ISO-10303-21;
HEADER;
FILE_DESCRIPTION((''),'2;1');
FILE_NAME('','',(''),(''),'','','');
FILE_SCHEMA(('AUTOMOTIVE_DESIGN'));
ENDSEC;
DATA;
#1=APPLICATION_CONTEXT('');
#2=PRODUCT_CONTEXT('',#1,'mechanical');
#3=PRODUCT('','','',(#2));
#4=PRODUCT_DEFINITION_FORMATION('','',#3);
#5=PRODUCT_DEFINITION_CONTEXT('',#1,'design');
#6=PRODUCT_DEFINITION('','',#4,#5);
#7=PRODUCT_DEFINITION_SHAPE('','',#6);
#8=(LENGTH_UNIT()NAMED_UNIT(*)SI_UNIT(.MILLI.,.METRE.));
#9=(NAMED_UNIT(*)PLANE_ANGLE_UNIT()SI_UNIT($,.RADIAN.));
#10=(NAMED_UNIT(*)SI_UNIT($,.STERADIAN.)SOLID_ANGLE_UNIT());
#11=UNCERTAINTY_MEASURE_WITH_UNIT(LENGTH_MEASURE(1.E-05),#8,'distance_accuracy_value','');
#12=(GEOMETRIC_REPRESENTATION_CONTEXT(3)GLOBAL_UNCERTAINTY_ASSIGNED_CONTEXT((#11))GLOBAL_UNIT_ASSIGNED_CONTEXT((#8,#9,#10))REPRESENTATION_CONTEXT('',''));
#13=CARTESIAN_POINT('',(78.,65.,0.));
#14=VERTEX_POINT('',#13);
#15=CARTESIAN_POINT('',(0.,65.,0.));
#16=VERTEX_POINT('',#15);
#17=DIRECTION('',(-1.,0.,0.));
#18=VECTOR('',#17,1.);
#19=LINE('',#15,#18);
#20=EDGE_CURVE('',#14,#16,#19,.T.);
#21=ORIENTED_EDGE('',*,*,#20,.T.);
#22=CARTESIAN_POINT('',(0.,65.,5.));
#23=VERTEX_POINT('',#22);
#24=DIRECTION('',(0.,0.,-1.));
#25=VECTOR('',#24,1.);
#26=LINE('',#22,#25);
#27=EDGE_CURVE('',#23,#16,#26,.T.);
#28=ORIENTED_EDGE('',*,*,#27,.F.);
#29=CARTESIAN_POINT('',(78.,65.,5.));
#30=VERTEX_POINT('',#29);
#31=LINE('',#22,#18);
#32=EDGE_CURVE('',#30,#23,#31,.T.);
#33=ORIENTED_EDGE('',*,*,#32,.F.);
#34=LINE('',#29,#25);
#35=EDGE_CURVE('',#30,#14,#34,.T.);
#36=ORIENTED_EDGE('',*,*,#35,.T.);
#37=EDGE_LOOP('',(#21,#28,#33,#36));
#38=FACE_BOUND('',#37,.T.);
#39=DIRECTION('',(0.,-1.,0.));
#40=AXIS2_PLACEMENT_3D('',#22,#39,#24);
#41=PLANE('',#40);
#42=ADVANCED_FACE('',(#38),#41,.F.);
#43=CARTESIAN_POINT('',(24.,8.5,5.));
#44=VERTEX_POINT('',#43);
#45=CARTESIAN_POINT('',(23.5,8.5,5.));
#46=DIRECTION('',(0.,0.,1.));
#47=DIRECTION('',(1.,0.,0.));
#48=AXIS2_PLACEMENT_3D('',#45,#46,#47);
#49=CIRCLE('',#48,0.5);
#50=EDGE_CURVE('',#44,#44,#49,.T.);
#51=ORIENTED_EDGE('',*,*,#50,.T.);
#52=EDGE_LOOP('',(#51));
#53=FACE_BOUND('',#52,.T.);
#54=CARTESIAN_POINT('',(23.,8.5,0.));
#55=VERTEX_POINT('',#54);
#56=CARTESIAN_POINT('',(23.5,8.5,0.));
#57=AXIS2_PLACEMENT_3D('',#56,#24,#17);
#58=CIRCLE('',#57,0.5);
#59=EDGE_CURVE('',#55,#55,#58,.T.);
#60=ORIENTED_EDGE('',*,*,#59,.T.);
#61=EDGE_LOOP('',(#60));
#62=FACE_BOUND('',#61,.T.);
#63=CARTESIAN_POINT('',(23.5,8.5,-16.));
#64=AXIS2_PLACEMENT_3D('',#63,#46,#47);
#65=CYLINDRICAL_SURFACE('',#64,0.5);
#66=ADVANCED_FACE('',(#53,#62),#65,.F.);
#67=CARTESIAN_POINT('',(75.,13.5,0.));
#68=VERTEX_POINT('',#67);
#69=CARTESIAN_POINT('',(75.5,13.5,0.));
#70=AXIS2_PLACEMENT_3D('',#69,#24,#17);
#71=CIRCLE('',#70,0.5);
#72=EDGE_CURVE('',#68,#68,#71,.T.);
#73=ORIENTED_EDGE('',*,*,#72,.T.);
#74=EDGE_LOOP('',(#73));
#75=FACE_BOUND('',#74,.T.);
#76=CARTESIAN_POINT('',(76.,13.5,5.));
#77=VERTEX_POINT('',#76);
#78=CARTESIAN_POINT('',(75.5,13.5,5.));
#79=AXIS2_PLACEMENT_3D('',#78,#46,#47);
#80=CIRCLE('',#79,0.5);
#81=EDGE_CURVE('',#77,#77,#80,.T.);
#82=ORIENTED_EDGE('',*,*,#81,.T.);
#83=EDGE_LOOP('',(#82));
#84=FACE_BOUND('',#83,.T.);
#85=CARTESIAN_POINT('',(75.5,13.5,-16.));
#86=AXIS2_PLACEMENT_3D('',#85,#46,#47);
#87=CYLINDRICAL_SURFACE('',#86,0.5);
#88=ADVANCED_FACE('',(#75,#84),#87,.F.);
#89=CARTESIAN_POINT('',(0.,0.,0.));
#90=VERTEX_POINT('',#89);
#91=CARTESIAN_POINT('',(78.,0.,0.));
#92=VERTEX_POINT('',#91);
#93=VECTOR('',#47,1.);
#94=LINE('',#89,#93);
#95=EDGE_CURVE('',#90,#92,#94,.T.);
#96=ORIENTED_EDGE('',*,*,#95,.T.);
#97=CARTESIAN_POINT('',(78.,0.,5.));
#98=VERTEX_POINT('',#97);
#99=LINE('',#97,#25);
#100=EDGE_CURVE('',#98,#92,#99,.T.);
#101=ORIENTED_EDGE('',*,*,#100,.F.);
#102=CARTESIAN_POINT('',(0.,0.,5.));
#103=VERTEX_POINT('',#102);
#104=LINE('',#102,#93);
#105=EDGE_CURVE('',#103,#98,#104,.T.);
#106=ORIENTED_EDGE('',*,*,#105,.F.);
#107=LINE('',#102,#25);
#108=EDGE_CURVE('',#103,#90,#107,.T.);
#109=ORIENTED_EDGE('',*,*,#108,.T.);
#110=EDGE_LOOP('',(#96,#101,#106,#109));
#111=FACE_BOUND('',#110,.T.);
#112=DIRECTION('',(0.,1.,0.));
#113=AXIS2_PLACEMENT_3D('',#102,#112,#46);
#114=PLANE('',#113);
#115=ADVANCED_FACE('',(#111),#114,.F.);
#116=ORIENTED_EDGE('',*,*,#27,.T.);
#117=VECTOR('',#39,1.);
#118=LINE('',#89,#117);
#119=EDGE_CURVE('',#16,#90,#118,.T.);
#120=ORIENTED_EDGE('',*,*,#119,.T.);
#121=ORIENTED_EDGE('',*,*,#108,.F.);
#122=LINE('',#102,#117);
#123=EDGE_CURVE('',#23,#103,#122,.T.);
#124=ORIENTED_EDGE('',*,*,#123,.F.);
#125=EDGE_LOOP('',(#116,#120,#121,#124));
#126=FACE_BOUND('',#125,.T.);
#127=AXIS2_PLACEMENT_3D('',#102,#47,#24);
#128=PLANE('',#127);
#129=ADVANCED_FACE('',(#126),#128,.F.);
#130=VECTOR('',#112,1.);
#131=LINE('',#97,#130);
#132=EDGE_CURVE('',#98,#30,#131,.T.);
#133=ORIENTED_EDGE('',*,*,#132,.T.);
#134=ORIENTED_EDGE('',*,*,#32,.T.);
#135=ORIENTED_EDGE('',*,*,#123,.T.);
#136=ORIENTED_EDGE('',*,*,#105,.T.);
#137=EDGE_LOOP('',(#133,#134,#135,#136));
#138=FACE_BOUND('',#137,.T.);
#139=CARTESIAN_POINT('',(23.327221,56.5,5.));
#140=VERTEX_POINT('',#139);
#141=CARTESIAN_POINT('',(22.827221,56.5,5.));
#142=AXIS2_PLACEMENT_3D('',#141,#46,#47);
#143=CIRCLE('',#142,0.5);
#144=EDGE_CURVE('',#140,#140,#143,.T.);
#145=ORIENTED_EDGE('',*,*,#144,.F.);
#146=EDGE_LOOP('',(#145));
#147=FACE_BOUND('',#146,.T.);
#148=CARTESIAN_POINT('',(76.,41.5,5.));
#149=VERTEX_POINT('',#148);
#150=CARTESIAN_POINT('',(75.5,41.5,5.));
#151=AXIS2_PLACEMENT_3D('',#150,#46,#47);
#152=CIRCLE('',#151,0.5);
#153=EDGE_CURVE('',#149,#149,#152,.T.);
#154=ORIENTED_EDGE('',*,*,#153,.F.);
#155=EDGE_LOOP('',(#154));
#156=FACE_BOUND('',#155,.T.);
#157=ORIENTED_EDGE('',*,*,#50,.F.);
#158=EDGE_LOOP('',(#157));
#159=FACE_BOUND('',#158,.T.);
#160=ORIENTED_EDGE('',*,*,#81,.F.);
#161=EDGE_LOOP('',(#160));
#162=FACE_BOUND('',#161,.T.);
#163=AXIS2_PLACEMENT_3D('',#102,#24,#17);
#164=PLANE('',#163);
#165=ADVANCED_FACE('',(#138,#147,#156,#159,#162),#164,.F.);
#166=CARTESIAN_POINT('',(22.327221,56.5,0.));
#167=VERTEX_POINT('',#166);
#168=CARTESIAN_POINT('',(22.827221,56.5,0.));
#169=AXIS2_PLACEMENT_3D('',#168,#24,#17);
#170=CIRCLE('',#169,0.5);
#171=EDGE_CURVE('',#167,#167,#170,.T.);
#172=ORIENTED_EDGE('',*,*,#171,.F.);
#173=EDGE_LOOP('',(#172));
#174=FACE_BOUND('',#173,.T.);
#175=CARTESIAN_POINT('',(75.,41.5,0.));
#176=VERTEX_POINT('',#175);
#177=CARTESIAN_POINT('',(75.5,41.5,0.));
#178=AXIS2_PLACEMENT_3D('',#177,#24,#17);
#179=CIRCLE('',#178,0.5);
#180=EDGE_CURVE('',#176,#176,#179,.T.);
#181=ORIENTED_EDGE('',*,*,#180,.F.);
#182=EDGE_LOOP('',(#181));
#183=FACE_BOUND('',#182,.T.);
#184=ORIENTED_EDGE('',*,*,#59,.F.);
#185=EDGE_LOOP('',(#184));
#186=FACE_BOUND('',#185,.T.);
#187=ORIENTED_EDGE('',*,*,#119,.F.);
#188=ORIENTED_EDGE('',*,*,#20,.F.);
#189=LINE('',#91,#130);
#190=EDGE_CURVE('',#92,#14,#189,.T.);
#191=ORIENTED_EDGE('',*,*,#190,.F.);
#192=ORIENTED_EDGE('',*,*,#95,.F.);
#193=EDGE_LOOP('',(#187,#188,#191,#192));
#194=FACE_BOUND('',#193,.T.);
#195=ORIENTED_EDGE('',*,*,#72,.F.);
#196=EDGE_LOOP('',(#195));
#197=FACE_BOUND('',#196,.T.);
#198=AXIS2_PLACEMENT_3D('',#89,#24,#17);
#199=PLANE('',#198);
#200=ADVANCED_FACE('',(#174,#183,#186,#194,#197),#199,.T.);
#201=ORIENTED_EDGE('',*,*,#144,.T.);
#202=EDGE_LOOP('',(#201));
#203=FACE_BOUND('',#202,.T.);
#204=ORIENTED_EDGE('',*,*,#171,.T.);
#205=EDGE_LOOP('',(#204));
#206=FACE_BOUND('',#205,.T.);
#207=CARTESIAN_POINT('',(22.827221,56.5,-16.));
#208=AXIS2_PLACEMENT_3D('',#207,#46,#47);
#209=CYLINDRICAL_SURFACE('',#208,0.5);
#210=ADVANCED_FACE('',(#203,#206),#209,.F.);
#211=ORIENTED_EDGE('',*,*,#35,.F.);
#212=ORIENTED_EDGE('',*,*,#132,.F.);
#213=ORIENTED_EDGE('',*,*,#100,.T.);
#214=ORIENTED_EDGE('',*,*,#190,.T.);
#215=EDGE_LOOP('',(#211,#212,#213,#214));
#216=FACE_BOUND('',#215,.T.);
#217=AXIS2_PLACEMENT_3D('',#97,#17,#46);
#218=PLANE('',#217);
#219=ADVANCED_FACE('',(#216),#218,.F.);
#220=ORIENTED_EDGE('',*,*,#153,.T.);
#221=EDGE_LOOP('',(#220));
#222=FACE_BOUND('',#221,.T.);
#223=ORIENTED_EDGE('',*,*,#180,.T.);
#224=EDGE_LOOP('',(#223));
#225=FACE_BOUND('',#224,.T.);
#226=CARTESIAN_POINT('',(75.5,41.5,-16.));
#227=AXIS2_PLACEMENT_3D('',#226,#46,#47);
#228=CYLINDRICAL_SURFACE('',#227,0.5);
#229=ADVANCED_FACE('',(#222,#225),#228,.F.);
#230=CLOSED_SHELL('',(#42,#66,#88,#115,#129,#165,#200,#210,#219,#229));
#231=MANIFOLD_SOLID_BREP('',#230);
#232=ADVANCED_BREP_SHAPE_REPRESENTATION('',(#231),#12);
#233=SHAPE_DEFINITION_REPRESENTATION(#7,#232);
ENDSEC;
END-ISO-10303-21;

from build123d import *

# Parameters (mm, degrees)
CROQUIS1_W              = 78
CROQUIS1_H              = 65
SALIENTE_EXTRUIR2_DEPTH = 5
CROQUIS3_R              = 0.5
CORTAR_EXTRUIR1_DEPTH   = 21


with BuildPart() as part:
    # Croquis1 → Saliente-Extruir2 (new body)
    with BuildSketch(Plane.XY):
        with Locations((39, 32.5)):
            Rectangle(CROQUIS1_W, CROQUIS1_H)
    extrude(amount=SALIENTE_EXTRUIR2_DEPTH)

    # Croquis3 → Cortar-Extruir1 (cut)
    with BuildSketch(Plane.XY.offset(5)):
        with Locations((22.827220923, 56.5)):
            Circle(CROQUIS3_R)
        with Locations((23.5, 8.5)):
            Circle(CROQUIS3_R)
        with Locations((75.5, 13.5)):
            Circle(CROQUIS3_R)
        with Locations((75.5, 41.5)):
            Circle(CROQUIS3_R)
    extrude(amount=-CORTAR_EXTRUIR1_DEPTH, mode=Mode.SUBTRACT)


solid = part.part
